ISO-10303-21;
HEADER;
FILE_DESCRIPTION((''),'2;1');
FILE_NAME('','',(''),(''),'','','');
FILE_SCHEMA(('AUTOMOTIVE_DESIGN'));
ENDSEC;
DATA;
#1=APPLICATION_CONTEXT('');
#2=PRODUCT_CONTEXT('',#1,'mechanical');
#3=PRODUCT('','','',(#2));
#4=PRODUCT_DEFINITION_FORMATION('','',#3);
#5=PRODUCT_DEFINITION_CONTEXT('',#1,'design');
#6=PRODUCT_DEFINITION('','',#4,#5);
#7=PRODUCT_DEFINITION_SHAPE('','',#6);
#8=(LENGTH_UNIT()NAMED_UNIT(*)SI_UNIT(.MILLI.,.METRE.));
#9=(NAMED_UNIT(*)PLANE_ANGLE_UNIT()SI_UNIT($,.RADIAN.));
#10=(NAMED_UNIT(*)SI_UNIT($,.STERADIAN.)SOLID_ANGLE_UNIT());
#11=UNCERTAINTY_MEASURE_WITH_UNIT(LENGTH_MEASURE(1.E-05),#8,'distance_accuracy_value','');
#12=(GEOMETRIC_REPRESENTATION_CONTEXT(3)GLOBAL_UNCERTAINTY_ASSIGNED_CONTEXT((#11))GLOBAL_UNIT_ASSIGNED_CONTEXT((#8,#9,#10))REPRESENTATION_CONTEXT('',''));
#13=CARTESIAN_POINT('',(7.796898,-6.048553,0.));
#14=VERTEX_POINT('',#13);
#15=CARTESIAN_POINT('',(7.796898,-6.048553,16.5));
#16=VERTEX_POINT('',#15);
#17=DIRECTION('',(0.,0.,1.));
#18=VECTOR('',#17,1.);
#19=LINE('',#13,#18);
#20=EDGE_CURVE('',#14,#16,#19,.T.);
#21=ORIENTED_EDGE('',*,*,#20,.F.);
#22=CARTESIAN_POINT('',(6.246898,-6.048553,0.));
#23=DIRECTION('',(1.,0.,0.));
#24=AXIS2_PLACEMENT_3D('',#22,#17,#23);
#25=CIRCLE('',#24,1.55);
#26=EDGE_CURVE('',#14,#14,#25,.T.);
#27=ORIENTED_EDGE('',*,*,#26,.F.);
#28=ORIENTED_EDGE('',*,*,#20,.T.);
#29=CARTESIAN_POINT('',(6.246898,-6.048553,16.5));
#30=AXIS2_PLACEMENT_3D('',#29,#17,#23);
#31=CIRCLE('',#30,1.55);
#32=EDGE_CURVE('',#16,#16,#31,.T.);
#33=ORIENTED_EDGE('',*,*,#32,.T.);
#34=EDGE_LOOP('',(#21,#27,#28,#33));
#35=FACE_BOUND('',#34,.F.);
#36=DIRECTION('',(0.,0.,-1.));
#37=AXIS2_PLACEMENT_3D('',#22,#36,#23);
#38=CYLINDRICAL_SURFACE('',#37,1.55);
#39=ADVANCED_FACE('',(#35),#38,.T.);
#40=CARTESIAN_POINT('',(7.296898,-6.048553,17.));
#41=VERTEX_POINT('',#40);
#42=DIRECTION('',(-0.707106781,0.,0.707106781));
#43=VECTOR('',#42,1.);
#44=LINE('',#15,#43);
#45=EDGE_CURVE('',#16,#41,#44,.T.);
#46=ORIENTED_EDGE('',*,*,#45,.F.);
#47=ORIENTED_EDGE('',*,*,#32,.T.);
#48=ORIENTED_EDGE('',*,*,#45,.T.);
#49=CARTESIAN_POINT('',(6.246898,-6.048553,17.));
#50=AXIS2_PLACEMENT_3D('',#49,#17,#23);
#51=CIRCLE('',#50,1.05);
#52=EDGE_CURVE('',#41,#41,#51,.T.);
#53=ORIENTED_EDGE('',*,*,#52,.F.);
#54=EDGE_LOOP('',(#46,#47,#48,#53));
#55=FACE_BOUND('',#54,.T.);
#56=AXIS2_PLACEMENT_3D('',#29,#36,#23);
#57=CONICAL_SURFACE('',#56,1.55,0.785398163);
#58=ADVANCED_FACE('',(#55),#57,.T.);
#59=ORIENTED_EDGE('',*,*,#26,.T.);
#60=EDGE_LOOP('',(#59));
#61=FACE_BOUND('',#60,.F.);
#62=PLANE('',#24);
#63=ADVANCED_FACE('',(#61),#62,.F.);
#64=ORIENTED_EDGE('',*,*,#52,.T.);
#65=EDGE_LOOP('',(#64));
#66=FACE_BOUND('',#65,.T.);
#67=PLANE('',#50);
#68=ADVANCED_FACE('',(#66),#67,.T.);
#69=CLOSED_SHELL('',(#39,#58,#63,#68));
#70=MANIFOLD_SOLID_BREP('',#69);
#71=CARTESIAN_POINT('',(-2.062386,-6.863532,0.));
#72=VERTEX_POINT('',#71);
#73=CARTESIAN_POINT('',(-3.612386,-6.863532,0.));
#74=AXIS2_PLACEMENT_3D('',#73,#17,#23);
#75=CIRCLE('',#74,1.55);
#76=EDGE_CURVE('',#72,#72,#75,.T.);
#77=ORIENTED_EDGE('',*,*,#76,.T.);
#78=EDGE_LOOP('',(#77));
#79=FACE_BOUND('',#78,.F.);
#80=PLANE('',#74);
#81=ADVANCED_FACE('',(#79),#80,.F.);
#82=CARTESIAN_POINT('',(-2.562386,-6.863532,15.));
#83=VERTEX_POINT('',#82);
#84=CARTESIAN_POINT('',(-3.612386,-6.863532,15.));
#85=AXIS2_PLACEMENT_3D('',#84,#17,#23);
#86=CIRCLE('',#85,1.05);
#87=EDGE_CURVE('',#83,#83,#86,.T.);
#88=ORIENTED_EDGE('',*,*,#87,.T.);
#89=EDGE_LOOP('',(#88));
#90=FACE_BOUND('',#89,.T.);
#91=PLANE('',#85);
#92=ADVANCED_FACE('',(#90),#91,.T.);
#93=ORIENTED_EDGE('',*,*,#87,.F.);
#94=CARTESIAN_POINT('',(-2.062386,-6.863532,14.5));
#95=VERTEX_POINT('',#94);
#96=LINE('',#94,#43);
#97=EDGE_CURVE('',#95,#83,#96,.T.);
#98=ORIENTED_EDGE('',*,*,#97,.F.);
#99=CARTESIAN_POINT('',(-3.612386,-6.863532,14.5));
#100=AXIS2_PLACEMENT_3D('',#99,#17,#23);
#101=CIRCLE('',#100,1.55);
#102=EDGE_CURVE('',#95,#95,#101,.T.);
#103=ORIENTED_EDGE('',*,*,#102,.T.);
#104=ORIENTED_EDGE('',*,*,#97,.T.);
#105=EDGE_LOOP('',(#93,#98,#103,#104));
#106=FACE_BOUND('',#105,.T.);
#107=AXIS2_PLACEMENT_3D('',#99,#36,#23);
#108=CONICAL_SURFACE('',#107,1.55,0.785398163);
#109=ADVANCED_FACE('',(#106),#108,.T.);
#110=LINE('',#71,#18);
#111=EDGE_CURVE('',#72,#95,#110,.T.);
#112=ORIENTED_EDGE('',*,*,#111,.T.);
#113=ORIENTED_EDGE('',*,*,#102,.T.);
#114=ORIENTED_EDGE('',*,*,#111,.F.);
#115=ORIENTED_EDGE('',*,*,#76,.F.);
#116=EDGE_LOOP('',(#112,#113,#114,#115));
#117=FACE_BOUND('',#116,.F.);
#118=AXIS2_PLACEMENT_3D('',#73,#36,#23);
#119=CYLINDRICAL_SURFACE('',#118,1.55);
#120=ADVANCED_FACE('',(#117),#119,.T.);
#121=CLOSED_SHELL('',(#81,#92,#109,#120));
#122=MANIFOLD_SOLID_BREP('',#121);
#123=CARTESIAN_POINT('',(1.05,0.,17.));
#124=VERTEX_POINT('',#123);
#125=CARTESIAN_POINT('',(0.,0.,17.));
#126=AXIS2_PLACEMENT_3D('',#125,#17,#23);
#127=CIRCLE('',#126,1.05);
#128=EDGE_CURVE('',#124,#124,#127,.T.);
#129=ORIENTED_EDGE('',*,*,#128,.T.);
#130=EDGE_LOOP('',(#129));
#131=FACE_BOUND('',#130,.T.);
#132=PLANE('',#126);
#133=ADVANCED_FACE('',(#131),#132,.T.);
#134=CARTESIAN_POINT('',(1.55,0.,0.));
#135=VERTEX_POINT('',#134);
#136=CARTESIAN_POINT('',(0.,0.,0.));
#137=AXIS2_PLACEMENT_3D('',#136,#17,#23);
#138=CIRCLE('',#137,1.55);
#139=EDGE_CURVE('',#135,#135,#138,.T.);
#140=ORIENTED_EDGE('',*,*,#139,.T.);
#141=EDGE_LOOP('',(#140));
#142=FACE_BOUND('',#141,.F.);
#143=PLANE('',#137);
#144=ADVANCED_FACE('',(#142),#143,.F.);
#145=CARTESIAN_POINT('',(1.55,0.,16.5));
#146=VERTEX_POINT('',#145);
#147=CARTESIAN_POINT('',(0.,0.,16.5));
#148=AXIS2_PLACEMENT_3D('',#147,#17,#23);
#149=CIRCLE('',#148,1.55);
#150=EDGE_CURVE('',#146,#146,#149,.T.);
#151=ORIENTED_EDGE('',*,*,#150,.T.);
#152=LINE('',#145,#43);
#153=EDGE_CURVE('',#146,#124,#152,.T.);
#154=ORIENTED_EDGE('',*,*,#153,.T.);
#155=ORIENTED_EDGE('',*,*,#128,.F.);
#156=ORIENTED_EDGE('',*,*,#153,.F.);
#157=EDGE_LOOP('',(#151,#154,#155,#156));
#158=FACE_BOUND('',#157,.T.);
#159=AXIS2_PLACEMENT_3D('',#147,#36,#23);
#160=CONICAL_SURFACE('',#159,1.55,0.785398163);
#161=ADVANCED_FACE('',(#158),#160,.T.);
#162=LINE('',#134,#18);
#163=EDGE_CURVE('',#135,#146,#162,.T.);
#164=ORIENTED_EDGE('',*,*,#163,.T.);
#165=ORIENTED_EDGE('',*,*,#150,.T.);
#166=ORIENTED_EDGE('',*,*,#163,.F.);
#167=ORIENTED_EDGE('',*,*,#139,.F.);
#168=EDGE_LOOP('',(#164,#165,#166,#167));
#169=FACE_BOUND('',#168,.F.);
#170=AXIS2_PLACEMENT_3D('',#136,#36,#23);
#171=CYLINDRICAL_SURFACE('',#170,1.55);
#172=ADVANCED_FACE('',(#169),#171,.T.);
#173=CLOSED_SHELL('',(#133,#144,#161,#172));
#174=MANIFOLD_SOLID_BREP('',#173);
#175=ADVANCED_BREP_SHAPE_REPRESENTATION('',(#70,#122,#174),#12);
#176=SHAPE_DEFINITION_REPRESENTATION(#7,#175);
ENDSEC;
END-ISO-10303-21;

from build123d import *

# Parameters (mm, degrees)
F0_R     = 1.55
F1_DEPTH = 17
F2_SIZE  = 0.5
F3_R     = 1.55
F4_DEPTH = 17
F5_SIZE  = 0.5
F6_R     = 1.55
F7_DEPTH = 15
F8_SIZE  = 0.5


with BuildPart() as f1:
    # F0 (on Top) → F1 (new body)
    with BuildSketch(Plane.XY):
        Circle(F0_R)
    extrude(amount=F1_DEPTH)

    # F2
    f2_edges = [f1.edges().sort_by_distance(p)[0] for p in [
        (-1.55, 0, 17),
    ]]
    chamfer(f2_edges, length=F2_SIZE)


with BuildPart() as f4:
    # F3 (on Top) → F4 (new body)
    with BuildSketch(Plane.XY):
        with Locations((6.246898, -6.048553)):
            Circle(F3_R)
    extrude(amount=F4_DEPTH)

    # F5
    f5_edges = [f4.edges().sort_by_distance(p)[0] for p in [
        (4.696898, -6.048553, 17),
    ]]
    chamfer(f5_edges, length=F5_SIZE)


with BuildPart() as f7:
    # F6 (on Top) → F7 (new body)
    with BuildSketch(Plane.XY):
        with Locations((-3.612386, -6.863532)):
            Circle(F6_R)
    extrude(amount=F7_DEPTH)

    # F8
    f8_edges = [f7.edges().sort_by_distance(p)[0] for p in [
        (-5.162386, -6.863532, 15),
    ]]
    chamfer(f8_edges, length=F8_SIZE)


solid = Compound([f1.part, f4.part, f7.part])
